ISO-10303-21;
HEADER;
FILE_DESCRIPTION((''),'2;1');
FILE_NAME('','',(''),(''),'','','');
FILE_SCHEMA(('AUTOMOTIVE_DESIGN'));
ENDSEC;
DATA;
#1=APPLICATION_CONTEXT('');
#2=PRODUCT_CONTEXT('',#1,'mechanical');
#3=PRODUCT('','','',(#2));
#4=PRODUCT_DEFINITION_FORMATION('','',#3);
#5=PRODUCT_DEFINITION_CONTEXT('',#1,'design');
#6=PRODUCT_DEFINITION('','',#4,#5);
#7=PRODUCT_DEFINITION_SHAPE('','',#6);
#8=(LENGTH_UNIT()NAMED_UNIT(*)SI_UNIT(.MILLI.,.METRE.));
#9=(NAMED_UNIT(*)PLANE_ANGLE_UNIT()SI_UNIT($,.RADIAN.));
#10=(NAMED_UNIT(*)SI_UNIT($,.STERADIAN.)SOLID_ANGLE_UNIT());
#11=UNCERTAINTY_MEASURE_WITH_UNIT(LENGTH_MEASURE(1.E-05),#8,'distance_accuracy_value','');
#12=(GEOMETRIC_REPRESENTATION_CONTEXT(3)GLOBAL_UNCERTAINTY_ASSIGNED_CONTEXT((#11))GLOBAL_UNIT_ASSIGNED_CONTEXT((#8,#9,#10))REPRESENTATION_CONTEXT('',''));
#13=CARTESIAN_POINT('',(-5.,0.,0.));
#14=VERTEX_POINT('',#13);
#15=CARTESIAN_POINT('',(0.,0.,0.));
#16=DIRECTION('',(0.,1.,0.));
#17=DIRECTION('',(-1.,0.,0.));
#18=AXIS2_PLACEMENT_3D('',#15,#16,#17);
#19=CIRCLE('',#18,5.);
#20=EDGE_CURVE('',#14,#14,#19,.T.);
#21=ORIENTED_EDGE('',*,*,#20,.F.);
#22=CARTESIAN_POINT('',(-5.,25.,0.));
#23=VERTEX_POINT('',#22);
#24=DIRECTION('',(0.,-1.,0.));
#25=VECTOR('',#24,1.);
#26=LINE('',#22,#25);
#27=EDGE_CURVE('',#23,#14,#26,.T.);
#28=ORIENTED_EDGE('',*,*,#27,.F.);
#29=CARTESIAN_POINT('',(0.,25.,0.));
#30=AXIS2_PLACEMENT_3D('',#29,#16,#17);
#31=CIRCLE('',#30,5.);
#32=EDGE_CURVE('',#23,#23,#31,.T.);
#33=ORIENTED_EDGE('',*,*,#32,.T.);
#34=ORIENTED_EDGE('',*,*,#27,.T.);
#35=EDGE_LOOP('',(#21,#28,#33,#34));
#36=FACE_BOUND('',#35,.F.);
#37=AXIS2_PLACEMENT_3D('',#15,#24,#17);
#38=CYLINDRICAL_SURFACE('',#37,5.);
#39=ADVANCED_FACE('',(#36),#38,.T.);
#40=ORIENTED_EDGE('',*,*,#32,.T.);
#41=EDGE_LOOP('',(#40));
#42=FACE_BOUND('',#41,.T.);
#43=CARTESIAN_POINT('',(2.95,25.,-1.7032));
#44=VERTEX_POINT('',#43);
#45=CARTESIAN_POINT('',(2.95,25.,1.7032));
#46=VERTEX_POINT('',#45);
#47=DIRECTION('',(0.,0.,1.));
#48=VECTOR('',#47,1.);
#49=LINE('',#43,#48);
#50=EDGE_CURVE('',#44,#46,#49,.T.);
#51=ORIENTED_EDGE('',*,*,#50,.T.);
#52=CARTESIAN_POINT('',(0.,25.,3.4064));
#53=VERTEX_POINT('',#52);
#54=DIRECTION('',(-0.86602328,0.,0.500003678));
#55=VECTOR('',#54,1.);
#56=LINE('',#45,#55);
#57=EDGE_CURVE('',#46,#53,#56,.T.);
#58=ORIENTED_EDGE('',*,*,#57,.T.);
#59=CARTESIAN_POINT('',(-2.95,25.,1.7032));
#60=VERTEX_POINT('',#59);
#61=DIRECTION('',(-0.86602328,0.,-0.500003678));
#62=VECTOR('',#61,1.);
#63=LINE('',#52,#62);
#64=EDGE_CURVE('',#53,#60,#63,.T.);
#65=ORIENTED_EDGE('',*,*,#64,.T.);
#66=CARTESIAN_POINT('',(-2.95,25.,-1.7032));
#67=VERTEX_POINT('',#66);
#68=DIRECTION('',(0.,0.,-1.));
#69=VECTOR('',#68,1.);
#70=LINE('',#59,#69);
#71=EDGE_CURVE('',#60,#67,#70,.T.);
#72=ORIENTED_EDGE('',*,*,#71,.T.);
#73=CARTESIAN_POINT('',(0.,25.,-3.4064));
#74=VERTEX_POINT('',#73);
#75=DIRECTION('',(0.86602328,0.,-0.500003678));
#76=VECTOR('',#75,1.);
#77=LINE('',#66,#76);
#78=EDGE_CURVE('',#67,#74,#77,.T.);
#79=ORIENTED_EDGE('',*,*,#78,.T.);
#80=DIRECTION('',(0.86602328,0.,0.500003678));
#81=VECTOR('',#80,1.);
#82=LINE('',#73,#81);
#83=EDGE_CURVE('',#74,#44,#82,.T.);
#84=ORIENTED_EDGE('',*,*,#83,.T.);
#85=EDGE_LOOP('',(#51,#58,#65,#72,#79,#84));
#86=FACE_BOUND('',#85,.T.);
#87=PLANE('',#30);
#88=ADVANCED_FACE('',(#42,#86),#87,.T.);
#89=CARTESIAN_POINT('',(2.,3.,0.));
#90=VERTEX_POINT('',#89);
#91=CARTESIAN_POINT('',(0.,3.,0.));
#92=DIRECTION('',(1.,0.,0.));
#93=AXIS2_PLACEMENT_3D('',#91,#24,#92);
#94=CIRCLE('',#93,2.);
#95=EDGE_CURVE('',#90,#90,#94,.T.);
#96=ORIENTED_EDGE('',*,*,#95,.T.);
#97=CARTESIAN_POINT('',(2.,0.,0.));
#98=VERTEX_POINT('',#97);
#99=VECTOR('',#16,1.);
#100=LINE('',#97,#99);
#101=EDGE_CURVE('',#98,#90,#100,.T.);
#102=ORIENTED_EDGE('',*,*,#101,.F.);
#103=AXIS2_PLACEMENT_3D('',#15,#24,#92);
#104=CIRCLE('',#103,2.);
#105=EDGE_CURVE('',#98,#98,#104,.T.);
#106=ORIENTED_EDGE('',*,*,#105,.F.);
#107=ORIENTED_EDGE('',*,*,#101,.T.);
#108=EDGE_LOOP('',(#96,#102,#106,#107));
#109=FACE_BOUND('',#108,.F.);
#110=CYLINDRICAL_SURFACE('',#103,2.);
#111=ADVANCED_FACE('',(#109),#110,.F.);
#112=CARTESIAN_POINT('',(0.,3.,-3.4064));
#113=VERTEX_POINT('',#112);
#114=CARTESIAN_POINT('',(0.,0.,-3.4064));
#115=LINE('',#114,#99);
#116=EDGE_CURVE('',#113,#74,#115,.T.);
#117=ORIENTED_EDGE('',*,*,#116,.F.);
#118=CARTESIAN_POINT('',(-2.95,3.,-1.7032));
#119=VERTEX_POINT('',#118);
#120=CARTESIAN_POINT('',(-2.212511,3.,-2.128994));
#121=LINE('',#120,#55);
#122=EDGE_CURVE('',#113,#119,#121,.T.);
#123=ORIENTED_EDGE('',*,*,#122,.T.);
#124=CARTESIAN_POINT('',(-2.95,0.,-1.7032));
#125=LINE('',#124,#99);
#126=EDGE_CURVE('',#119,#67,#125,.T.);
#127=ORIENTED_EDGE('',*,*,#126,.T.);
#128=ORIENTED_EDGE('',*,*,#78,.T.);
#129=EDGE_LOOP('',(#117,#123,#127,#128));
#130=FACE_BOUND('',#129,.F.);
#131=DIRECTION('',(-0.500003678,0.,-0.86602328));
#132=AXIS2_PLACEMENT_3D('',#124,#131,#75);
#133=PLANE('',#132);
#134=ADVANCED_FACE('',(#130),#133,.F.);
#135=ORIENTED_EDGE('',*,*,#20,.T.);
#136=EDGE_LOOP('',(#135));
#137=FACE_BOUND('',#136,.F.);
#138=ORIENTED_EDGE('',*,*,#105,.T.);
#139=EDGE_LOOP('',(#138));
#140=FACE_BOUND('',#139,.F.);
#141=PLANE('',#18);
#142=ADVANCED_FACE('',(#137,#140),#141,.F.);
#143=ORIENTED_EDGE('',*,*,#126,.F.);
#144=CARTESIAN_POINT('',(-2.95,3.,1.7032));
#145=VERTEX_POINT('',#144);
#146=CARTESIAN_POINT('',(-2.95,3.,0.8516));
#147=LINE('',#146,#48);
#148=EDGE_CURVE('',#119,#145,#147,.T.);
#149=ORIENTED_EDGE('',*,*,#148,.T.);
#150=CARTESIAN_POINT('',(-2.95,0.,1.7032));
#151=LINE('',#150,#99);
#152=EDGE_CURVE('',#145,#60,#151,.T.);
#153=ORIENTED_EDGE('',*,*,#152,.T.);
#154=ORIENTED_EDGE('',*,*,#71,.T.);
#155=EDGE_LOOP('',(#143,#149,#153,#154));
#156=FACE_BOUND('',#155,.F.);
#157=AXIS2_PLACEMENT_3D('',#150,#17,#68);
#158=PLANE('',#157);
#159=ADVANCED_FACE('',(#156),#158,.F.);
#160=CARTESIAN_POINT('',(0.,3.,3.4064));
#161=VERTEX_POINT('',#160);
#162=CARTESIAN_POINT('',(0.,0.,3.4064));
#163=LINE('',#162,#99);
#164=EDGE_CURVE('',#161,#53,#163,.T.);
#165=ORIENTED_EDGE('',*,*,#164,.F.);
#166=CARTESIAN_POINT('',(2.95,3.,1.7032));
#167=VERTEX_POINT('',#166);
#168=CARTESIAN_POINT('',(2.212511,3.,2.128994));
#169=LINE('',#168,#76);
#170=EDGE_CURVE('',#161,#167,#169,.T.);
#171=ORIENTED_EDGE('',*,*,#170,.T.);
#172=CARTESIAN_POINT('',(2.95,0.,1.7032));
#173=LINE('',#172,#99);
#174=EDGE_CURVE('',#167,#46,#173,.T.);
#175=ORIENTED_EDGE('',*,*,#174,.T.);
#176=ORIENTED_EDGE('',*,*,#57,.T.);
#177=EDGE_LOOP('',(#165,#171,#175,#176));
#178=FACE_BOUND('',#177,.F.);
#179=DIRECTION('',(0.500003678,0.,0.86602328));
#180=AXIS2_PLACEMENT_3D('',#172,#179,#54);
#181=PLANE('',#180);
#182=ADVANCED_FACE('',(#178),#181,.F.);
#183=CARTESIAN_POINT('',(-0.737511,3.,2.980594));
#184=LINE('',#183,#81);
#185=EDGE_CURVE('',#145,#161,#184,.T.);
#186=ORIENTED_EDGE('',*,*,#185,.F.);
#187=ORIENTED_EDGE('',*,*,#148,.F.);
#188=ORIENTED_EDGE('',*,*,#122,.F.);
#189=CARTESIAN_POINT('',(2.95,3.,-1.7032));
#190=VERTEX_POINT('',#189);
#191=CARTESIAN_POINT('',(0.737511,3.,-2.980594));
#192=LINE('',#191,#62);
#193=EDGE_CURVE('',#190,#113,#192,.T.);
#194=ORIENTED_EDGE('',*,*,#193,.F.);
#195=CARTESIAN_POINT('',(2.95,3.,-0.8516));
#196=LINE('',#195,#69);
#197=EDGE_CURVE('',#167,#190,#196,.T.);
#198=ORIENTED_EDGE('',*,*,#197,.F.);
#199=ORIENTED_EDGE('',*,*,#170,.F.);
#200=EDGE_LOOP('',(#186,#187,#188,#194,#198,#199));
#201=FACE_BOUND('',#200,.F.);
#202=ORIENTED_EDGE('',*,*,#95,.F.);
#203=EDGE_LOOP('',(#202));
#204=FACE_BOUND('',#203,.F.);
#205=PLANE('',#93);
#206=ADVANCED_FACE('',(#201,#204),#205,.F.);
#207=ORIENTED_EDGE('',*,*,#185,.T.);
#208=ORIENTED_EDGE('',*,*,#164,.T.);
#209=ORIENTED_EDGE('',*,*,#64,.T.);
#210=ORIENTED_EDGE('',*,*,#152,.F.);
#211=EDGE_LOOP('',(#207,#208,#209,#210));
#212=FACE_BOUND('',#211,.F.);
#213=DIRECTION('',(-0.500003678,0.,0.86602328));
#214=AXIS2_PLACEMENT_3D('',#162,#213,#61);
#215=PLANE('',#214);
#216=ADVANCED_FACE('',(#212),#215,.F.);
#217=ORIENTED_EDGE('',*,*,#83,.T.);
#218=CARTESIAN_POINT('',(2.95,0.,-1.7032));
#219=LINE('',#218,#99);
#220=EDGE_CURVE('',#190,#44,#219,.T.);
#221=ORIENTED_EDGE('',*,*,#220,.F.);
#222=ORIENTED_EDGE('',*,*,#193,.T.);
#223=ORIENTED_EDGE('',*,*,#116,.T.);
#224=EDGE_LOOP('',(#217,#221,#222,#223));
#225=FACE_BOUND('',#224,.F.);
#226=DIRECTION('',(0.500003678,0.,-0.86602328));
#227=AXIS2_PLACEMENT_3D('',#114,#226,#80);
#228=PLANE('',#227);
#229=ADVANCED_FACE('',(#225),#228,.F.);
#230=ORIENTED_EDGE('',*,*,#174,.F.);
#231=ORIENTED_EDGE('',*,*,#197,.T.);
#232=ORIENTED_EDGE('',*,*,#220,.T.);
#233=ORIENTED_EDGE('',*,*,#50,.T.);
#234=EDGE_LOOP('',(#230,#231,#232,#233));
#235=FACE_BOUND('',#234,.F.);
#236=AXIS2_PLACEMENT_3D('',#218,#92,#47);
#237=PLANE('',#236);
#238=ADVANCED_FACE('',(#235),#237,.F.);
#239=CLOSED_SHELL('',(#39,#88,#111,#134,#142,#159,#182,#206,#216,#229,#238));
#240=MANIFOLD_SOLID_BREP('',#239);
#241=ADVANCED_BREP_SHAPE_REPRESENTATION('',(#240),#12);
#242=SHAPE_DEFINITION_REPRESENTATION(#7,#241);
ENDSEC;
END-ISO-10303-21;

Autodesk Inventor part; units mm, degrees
ref_plane "YZ Plane" through (0, 0, 0) normal (1, 0, 0) x (0, 1, 0)
ref_plane "XZ Plane" through (0, 0, 0) normal (0, 1, 0) x (-1, 0, 0)
ref_plane "XY Plane" through (0, 0, 0) normal (0, 0, 1) x (1, 0, 0)
sketch "草图1" plane through (0, 0, 0) normal (0, 1, 0) x (-1, 0, 0)
  circle A0 centre (0, 0) radius 5
  line L0 (2.95, -1.7032) -> (0, -3.4064)
  line L1 (0, -3.4064) -> (-2.95, -1.7032)
  line L2 (-2.95, -1.7032) -> (-2.95, 1.7032)
  line L3 (-2.95, 1.7032) -> (0, 3.4064)
  line L4 (0, 3.4064) -> (2.95, 1.7032)
  line L5 (2.95, 1.7032) -> (2.95, -1.7032)
  point P0 (2.95, 0)
  dimension "d0" = 10
extrude "拉伸1" add sketch "草图1" along normal blind 25
sketch "草图3" plane through (0, 0, 0) normal (0, -1, 0) x (1, 0, 0)
  circle A0 centre (0, 0) radius 2
  circle A1 centre (0, 0) radius 5 projected
  dimension "d7" = 4
extrude "拉伸3" add sketch "草图3" against normal blind 3
properties part number "机械爪六角筒"
